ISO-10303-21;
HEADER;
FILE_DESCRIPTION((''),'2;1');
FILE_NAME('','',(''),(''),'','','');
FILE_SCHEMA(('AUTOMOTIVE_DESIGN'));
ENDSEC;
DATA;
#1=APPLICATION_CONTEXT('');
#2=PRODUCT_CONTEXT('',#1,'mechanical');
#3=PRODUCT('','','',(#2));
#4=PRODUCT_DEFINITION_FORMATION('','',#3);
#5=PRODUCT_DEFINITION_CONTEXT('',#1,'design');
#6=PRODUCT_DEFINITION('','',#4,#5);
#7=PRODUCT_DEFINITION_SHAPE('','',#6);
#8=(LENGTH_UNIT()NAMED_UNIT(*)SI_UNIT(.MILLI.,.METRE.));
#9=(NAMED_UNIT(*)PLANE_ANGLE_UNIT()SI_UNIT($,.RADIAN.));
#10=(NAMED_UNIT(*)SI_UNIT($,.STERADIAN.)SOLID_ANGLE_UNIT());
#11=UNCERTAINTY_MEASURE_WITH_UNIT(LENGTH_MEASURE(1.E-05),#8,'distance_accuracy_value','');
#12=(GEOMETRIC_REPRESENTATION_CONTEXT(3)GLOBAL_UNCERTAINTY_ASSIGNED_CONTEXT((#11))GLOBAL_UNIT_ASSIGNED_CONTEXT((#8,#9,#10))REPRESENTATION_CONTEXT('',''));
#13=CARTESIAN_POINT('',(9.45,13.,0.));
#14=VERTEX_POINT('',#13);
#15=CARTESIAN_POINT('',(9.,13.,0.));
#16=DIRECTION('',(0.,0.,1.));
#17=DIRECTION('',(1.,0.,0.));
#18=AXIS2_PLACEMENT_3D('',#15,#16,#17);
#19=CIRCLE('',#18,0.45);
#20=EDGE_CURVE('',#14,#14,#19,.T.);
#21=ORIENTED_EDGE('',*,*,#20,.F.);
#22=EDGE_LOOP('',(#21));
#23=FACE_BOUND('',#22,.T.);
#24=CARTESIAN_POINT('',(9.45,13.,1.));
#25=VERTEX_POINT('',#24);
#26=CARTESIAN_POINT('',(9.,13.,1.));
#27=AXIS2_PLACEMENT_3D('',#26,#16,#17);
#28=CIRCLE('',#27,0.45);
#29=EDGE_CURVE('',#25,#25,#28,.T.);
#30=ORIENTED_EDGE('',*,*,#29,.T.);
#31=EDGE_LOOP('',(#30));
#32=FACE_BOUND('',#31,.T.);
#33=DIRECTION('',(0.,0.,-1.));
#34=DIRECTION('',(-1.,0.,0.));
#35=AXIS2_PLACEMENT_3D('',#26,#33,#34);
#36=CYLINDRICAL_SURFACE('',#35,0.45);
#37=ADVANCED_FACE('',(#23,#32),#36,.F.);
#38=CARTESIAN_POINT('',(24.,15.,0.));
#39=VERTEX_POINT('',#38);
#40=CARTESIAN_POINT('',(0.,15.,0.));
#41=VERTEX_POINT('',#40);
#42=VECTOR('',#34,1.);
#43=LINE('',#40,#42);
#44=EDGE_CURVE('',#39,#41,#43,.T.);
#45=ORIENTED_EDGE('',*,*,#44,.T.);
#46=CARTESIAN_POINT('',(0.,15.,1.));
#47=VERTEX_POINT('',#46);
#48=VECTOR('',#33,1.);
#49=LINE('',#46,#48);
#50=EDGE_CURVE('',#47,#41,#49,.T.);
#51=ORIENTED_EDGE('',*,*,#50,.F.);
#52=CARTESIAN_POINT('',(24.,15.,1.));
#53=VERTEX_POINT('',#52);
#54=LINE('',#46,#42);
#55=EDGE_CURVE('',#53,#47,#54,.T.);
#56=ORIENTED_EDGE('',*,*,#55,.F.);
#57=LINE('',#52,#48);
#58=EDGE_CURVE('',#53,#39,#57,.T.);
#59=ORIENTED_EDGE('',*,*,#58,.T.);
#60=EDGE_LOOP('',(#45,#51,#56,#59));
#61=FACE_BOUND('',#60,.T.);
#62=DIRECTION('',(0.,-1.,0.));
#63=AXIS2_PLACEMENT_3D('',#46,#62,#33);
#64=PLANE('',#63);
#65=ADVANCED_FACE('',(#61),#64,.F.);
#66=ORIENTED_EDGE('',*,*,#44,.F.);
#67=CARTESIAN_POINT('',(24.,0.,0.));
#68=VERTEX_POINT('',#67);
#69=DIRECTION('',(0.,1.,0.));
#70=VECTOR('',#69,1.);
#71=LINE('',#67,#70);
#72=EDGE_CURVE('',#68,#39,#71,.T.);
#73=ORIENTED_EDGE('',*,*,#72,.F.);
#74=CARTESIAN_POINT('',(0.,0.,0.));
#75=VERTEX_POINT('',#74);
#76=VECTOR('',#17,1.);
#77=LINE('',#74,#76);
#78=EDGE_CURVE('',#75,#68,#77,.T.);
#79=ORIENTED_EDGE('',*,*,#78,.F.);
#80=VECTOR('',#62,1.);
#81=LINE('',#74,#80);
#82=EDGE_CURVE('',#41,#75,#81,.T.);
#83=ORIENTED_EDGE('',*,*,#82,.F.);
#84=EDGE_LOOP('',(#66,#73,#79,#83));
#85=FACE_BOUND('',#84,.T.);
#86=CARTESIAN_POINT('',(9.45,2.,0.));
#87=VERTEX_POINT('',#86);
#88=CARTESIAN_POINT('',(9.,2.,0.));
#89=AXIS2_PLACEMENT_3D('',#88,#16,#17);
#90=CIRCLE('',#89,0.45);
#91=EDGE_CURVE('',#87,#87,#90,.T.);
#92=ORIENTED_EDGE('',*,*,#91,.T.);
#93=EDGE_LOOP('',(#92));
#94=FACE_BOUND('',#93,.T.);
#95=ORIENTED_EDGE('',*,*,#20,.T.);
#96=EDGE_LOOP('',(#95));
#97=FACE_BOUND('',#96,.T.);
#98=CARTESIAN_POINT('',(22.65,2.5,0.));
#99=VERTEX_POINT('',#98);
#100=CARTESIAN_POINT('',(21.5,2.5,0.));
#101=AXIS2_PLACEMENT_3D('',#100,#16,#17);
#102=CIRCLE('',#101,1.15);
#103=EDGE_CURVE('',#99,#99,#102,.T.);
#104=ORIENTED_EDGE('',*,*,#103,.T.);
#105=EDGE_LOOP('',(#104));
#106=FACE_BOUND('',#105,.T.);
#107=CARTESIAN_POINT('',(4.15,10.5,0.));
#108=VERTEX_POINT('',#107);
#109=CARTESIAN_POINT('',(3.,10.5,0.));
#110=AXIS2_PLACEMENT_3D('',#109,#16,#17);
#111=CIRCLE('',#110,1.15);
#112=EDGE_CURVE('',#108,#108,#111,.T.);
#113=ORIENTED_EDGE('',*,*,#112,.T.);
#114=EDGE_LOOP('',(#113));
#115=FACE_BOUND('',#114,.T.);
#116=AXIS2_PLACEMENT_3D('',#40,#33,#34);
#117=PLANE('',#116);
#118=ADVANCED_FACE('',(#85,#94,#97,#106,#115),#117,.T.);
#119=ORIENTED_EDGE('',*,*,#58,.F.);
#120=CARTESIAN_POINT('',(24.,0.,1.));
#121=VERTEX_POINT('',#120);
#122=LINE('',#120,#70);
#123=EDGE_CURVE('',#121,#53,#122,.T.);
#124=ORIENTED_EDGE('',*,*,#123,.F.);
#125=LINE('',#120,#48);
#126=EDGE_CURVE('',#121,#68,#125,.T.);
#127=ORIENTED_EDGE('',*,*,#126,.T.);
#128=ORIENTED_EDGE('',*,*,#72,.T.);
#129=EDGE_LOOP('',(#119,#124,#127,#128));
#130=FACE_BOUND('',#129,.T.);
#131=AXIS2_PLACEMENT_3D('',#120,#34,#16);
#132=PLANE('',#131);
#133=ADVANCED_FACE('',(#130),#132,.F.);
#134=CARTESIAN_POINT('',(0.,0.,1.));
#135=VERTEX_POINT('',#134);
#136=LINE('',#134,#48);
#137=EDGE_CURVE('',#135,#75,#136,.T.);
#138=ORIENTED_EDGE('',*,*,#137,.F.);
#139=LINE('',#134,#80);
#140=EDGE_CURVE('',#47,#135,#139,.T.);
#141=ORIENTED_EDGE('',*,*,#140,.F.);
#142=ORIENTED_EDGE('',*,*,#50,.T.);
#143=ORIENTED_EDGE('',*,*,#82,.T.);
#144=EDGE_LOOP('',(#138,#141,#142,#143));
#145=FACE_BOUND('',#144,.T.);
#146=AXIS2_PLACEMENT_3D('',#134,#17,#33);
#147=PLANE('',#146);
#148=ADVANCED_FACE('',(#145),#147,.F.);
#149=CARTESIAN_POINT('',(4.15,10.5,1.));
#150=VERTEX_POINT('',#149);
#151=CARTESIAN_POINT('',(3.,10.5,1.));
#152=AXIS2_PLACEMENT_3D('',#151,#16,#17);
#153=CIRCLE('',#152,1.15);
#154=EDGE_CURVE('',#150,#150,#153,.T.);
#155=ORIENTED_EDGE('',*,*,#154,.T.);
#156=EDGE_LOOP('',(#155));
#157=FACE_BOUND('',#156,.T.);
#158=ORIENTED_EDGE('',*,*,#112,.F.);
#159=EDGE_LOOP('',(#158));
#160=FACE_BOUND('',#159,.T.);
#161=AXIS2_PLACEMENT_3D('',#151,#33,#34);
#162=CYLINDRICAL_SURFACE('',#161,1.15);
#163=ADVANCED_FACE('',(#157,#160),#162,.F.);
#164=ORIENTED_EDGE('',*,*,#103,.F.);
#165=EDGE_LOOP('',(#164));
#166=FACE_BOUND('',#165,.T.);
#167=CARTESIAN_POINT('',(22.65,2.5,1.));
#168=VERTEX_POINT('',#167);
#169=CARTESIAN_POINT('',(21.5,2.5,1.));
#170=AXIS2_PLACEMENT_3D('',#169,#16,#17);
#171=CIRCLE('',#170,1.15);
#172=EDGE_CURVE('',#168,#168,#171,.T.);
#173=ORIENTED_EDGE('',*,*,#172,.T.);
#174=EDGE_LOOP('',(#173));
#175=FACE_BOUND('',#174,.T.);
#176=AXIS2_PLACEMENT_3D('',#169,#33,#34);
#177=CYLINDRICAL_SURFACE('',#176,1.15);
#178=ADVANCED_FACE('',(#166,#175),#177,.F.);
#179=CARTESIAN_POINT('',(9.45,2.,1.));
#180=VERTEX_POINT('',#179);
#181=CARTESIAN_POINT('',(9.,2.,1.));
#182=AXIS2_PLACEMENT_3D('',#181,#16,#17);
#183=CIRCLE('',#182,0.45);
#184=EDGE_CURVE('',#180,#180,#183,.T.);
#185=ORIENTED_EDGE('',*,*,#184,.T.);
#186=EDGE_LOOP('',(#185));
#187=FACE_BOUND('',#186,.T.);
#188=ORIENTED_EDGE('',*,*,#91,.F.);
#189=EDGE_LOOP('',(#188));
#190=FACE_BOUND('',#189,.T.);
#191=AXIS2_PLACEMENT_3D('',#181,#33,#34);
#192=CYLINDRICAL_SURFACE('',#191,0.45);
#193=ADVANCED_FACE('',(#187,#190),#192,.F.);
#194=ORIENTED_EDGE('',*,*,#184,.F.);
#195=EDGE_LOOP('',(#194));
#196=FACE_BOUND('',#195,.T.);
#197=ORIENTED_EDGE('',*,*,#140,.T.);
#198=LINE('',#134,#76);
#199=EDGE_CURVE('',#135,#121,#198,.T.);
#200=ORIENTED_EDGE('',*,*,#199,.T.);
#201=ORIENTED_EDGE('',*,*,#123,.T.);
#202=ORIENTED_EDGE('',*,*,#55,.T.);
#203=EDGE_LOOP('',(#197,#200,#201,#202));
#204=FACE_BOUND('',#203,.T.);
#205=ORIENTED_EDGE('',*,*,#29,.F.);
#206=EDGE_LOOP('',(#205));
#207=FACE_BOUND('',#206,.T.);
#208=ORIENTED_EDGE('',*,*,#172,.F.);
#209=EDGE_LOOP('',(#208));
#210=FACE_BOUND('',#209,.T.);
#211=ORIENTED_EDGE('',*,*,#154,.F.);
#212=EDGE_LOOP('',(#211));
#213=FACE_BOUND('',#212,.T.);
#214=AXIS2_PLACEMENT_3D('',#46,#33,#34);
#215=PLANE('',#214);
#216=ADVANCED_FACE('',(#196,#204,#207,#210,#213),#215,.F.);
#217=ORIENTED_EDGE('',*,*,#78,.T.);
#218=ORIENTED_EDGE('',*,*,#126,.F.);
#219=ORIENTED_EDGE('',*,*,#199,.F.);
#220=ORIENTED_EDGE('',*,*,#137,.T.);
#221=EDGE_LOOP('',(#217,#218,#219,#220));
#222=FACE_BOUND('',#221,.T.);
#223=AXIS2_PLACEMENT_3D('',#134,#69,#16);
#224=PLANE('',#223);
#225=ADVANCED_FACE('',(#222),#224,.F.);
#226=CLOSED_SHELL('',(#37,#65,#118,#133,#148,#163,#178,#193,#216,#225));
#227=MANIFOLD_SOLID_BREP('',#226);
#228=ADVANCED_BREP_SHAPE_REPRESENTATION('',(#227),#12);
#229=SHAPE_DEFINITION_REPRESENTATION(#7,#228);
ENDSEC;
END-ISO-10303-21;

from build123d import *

# Parameters (mm, degrees)
SKETCH_1_W      = 24
SKETCH_1_H      = 15
SKETCH_1_R      = 1.15
SKETCH_1_R_2    = 0.45
EXTRUDE_1_DEPTH = 1


with BuildPart() as part:
    # Эскиз1 → Бобышка-Вытянуть1 (new body)
    with BuildSketch(Plane.XY):
        with Locations((12, 7.5)):
            Rectangle(SKETCH_1_W, SKETCH_1_H)
        with Locations((3, 10.5)):
            Circle(SKETCH_1_R, mode=Mode.SUBTRACT)
        with Locations((21.5, 2.5)):
            Circle(SKETCH_1_R, mode=Mode.SUBTRACT)
        with Locations((9, 13)):
            Circle(SKETCH_1_R_2, mode=Mode.SUBTRACT)
        with Locations((9, 2)):
            Circle(SKETCH_1_R_2, mode=Mode.SUBTRACT)
    extrude(amount=EXTRUDE_1_DEPTH)


solid = part.part
